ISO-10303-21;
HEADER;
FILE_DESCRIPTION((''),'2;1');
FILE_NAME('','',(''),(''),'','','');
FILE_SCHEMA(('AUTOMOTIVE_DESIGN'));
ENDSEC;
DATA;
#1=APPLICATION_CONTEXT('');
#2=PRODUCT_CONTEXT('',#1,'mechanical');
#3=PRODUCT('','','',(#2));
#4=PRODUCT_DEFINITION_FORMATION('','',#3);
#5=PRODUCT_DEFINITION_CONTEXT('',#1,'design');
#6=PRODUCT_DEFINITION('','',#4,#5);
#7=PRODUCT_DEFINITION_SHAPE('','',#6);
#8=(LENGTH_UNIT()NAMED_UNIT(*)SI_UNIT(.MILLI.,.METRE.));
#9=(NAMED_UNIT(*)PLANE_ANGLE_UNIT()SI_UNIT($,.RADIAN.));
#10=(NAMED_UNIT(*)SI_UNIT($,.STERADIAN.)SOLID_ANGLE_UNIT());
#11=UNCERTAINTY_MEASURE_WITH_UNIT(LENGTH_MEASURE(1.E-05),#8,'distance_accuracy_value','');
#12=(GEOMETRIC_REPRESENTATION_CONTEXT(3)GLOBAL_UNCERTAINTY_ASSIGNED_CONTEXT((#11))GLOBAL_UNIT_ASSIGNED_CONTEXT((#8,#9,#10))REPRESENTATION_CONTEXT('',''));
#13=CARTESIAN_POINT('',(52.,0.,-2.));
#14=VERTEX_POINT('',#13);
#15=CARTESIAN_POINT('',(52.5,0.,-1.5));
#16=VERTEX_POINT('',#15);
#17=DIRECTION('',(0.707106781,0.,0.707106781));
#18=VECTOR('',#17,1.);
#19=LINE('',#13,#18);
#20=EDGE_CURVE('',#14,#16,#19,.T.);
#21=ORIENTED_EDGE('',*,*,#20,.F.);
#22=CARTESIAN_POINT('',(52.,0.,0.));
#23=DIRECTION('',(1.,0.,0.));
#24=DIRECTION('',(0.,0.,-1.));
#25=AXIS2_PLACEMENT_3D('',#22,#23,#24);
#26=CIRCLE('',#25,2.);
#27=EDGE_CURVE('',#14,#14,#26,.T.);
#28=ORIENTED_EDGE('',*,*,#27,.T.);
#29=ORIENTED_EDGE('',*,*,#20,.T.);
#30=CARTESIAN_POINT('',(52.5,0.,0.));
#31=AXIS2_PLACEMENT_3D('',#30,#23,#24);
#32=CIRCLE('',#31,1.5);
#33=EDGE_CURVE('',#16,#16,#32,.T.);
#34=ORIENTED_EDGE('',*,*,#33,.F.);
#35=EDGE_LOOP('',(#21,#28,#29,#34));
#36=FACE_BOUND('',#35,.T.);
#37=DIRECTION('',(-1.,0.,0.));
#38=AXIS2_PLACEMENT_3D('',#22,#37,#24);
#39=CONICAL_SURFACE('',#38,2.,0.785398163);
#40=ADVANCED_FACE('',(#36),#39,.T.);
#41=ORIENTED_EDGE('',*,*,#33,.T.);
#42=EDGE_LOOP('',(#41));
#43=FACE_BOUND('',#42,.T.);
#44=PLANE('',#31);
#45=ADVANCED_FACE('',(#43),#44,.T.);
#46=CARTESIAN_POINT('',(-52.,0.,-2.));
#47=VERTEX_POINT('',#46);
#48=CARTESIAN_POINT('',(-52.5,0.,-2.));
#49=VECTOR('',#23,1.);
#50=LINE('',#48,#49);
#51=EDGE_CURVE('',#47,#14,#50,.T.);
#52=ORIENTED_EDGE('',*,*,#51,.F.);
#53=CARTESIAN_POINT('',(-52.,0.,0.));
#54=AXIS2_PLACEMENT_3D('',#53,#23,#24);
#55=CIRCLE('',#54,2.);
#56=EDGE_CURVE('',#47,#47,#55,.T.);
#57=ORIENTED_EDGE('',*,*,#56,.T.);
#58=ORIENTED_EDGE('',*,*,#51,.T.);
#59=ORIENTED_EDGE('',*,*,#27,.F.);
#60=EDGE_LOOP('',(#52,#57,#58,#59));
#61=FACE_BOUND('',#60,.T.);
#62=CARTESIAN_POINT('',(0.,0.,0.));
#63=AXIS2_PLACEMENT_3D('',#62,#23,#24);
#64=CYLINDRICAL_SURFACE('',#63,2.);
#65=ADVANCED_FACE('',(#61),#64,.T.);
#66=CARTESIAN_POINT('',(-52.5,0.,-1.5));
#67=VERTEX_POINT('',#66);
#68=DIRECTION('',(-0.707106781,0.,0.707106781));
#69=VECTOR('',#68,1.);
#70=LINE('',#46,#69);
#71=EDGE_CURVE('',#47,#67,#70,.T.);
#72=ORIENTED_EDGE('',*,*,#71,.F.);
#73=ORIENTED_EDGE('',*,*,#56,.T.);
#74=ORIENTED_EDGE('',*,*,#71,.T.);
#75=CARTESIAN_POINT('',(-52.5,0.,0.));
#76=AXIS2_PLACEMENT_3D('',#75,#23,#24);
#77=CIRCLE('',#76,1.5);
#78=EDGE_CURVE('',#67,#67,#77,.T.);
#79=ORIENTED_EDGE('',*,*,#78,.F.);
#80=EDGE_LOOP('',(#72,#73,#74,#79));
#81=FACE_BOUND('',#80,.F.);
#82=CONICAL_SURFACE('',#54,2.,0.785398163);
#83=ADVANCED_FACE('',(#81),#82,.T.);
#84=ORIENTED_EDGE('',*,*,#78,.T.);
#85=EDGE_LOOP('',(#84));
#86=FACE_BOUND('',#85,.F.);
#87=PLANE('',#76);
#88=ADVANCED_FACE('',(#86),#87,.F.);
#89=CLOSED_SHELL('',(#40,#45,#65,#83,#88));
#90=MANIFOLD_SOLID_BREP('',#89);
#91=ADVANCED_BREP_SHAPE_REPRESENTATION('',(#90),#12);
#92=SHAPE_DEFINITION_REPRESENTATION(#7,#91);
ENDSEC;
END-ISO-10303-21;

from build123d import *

# Parameters (mm, degrees)
SKETCH1_R           = 2
BOSS_EXTRUDE1_DEPTH = 52.5
CHAMFER1_SIZE       = 0.5


with BuildPart() as part:
    # Sketch1 → Boss-Extrude1 (new body, symmetric)
    with BuildSketch(Plane(origin=(0, 0, 0), x_dir=(0, 0, -1), z_dir=(1, 0, 0))):
        Circle(SKETCH1_R)
    extrude(amount=BOSS_EXTRUDE1_DEPTH, both=True)

    # Chamfer1
    chamfer1_edges = [part.edges().sort_by_distance(p)[0] for p in [
        (-52.5, 0, 2),
        (52.5, 0, 2),
    ]]
    chamfer(chamfer1_edges, length=CHAMFER1_SIZE)


solid = part.part
